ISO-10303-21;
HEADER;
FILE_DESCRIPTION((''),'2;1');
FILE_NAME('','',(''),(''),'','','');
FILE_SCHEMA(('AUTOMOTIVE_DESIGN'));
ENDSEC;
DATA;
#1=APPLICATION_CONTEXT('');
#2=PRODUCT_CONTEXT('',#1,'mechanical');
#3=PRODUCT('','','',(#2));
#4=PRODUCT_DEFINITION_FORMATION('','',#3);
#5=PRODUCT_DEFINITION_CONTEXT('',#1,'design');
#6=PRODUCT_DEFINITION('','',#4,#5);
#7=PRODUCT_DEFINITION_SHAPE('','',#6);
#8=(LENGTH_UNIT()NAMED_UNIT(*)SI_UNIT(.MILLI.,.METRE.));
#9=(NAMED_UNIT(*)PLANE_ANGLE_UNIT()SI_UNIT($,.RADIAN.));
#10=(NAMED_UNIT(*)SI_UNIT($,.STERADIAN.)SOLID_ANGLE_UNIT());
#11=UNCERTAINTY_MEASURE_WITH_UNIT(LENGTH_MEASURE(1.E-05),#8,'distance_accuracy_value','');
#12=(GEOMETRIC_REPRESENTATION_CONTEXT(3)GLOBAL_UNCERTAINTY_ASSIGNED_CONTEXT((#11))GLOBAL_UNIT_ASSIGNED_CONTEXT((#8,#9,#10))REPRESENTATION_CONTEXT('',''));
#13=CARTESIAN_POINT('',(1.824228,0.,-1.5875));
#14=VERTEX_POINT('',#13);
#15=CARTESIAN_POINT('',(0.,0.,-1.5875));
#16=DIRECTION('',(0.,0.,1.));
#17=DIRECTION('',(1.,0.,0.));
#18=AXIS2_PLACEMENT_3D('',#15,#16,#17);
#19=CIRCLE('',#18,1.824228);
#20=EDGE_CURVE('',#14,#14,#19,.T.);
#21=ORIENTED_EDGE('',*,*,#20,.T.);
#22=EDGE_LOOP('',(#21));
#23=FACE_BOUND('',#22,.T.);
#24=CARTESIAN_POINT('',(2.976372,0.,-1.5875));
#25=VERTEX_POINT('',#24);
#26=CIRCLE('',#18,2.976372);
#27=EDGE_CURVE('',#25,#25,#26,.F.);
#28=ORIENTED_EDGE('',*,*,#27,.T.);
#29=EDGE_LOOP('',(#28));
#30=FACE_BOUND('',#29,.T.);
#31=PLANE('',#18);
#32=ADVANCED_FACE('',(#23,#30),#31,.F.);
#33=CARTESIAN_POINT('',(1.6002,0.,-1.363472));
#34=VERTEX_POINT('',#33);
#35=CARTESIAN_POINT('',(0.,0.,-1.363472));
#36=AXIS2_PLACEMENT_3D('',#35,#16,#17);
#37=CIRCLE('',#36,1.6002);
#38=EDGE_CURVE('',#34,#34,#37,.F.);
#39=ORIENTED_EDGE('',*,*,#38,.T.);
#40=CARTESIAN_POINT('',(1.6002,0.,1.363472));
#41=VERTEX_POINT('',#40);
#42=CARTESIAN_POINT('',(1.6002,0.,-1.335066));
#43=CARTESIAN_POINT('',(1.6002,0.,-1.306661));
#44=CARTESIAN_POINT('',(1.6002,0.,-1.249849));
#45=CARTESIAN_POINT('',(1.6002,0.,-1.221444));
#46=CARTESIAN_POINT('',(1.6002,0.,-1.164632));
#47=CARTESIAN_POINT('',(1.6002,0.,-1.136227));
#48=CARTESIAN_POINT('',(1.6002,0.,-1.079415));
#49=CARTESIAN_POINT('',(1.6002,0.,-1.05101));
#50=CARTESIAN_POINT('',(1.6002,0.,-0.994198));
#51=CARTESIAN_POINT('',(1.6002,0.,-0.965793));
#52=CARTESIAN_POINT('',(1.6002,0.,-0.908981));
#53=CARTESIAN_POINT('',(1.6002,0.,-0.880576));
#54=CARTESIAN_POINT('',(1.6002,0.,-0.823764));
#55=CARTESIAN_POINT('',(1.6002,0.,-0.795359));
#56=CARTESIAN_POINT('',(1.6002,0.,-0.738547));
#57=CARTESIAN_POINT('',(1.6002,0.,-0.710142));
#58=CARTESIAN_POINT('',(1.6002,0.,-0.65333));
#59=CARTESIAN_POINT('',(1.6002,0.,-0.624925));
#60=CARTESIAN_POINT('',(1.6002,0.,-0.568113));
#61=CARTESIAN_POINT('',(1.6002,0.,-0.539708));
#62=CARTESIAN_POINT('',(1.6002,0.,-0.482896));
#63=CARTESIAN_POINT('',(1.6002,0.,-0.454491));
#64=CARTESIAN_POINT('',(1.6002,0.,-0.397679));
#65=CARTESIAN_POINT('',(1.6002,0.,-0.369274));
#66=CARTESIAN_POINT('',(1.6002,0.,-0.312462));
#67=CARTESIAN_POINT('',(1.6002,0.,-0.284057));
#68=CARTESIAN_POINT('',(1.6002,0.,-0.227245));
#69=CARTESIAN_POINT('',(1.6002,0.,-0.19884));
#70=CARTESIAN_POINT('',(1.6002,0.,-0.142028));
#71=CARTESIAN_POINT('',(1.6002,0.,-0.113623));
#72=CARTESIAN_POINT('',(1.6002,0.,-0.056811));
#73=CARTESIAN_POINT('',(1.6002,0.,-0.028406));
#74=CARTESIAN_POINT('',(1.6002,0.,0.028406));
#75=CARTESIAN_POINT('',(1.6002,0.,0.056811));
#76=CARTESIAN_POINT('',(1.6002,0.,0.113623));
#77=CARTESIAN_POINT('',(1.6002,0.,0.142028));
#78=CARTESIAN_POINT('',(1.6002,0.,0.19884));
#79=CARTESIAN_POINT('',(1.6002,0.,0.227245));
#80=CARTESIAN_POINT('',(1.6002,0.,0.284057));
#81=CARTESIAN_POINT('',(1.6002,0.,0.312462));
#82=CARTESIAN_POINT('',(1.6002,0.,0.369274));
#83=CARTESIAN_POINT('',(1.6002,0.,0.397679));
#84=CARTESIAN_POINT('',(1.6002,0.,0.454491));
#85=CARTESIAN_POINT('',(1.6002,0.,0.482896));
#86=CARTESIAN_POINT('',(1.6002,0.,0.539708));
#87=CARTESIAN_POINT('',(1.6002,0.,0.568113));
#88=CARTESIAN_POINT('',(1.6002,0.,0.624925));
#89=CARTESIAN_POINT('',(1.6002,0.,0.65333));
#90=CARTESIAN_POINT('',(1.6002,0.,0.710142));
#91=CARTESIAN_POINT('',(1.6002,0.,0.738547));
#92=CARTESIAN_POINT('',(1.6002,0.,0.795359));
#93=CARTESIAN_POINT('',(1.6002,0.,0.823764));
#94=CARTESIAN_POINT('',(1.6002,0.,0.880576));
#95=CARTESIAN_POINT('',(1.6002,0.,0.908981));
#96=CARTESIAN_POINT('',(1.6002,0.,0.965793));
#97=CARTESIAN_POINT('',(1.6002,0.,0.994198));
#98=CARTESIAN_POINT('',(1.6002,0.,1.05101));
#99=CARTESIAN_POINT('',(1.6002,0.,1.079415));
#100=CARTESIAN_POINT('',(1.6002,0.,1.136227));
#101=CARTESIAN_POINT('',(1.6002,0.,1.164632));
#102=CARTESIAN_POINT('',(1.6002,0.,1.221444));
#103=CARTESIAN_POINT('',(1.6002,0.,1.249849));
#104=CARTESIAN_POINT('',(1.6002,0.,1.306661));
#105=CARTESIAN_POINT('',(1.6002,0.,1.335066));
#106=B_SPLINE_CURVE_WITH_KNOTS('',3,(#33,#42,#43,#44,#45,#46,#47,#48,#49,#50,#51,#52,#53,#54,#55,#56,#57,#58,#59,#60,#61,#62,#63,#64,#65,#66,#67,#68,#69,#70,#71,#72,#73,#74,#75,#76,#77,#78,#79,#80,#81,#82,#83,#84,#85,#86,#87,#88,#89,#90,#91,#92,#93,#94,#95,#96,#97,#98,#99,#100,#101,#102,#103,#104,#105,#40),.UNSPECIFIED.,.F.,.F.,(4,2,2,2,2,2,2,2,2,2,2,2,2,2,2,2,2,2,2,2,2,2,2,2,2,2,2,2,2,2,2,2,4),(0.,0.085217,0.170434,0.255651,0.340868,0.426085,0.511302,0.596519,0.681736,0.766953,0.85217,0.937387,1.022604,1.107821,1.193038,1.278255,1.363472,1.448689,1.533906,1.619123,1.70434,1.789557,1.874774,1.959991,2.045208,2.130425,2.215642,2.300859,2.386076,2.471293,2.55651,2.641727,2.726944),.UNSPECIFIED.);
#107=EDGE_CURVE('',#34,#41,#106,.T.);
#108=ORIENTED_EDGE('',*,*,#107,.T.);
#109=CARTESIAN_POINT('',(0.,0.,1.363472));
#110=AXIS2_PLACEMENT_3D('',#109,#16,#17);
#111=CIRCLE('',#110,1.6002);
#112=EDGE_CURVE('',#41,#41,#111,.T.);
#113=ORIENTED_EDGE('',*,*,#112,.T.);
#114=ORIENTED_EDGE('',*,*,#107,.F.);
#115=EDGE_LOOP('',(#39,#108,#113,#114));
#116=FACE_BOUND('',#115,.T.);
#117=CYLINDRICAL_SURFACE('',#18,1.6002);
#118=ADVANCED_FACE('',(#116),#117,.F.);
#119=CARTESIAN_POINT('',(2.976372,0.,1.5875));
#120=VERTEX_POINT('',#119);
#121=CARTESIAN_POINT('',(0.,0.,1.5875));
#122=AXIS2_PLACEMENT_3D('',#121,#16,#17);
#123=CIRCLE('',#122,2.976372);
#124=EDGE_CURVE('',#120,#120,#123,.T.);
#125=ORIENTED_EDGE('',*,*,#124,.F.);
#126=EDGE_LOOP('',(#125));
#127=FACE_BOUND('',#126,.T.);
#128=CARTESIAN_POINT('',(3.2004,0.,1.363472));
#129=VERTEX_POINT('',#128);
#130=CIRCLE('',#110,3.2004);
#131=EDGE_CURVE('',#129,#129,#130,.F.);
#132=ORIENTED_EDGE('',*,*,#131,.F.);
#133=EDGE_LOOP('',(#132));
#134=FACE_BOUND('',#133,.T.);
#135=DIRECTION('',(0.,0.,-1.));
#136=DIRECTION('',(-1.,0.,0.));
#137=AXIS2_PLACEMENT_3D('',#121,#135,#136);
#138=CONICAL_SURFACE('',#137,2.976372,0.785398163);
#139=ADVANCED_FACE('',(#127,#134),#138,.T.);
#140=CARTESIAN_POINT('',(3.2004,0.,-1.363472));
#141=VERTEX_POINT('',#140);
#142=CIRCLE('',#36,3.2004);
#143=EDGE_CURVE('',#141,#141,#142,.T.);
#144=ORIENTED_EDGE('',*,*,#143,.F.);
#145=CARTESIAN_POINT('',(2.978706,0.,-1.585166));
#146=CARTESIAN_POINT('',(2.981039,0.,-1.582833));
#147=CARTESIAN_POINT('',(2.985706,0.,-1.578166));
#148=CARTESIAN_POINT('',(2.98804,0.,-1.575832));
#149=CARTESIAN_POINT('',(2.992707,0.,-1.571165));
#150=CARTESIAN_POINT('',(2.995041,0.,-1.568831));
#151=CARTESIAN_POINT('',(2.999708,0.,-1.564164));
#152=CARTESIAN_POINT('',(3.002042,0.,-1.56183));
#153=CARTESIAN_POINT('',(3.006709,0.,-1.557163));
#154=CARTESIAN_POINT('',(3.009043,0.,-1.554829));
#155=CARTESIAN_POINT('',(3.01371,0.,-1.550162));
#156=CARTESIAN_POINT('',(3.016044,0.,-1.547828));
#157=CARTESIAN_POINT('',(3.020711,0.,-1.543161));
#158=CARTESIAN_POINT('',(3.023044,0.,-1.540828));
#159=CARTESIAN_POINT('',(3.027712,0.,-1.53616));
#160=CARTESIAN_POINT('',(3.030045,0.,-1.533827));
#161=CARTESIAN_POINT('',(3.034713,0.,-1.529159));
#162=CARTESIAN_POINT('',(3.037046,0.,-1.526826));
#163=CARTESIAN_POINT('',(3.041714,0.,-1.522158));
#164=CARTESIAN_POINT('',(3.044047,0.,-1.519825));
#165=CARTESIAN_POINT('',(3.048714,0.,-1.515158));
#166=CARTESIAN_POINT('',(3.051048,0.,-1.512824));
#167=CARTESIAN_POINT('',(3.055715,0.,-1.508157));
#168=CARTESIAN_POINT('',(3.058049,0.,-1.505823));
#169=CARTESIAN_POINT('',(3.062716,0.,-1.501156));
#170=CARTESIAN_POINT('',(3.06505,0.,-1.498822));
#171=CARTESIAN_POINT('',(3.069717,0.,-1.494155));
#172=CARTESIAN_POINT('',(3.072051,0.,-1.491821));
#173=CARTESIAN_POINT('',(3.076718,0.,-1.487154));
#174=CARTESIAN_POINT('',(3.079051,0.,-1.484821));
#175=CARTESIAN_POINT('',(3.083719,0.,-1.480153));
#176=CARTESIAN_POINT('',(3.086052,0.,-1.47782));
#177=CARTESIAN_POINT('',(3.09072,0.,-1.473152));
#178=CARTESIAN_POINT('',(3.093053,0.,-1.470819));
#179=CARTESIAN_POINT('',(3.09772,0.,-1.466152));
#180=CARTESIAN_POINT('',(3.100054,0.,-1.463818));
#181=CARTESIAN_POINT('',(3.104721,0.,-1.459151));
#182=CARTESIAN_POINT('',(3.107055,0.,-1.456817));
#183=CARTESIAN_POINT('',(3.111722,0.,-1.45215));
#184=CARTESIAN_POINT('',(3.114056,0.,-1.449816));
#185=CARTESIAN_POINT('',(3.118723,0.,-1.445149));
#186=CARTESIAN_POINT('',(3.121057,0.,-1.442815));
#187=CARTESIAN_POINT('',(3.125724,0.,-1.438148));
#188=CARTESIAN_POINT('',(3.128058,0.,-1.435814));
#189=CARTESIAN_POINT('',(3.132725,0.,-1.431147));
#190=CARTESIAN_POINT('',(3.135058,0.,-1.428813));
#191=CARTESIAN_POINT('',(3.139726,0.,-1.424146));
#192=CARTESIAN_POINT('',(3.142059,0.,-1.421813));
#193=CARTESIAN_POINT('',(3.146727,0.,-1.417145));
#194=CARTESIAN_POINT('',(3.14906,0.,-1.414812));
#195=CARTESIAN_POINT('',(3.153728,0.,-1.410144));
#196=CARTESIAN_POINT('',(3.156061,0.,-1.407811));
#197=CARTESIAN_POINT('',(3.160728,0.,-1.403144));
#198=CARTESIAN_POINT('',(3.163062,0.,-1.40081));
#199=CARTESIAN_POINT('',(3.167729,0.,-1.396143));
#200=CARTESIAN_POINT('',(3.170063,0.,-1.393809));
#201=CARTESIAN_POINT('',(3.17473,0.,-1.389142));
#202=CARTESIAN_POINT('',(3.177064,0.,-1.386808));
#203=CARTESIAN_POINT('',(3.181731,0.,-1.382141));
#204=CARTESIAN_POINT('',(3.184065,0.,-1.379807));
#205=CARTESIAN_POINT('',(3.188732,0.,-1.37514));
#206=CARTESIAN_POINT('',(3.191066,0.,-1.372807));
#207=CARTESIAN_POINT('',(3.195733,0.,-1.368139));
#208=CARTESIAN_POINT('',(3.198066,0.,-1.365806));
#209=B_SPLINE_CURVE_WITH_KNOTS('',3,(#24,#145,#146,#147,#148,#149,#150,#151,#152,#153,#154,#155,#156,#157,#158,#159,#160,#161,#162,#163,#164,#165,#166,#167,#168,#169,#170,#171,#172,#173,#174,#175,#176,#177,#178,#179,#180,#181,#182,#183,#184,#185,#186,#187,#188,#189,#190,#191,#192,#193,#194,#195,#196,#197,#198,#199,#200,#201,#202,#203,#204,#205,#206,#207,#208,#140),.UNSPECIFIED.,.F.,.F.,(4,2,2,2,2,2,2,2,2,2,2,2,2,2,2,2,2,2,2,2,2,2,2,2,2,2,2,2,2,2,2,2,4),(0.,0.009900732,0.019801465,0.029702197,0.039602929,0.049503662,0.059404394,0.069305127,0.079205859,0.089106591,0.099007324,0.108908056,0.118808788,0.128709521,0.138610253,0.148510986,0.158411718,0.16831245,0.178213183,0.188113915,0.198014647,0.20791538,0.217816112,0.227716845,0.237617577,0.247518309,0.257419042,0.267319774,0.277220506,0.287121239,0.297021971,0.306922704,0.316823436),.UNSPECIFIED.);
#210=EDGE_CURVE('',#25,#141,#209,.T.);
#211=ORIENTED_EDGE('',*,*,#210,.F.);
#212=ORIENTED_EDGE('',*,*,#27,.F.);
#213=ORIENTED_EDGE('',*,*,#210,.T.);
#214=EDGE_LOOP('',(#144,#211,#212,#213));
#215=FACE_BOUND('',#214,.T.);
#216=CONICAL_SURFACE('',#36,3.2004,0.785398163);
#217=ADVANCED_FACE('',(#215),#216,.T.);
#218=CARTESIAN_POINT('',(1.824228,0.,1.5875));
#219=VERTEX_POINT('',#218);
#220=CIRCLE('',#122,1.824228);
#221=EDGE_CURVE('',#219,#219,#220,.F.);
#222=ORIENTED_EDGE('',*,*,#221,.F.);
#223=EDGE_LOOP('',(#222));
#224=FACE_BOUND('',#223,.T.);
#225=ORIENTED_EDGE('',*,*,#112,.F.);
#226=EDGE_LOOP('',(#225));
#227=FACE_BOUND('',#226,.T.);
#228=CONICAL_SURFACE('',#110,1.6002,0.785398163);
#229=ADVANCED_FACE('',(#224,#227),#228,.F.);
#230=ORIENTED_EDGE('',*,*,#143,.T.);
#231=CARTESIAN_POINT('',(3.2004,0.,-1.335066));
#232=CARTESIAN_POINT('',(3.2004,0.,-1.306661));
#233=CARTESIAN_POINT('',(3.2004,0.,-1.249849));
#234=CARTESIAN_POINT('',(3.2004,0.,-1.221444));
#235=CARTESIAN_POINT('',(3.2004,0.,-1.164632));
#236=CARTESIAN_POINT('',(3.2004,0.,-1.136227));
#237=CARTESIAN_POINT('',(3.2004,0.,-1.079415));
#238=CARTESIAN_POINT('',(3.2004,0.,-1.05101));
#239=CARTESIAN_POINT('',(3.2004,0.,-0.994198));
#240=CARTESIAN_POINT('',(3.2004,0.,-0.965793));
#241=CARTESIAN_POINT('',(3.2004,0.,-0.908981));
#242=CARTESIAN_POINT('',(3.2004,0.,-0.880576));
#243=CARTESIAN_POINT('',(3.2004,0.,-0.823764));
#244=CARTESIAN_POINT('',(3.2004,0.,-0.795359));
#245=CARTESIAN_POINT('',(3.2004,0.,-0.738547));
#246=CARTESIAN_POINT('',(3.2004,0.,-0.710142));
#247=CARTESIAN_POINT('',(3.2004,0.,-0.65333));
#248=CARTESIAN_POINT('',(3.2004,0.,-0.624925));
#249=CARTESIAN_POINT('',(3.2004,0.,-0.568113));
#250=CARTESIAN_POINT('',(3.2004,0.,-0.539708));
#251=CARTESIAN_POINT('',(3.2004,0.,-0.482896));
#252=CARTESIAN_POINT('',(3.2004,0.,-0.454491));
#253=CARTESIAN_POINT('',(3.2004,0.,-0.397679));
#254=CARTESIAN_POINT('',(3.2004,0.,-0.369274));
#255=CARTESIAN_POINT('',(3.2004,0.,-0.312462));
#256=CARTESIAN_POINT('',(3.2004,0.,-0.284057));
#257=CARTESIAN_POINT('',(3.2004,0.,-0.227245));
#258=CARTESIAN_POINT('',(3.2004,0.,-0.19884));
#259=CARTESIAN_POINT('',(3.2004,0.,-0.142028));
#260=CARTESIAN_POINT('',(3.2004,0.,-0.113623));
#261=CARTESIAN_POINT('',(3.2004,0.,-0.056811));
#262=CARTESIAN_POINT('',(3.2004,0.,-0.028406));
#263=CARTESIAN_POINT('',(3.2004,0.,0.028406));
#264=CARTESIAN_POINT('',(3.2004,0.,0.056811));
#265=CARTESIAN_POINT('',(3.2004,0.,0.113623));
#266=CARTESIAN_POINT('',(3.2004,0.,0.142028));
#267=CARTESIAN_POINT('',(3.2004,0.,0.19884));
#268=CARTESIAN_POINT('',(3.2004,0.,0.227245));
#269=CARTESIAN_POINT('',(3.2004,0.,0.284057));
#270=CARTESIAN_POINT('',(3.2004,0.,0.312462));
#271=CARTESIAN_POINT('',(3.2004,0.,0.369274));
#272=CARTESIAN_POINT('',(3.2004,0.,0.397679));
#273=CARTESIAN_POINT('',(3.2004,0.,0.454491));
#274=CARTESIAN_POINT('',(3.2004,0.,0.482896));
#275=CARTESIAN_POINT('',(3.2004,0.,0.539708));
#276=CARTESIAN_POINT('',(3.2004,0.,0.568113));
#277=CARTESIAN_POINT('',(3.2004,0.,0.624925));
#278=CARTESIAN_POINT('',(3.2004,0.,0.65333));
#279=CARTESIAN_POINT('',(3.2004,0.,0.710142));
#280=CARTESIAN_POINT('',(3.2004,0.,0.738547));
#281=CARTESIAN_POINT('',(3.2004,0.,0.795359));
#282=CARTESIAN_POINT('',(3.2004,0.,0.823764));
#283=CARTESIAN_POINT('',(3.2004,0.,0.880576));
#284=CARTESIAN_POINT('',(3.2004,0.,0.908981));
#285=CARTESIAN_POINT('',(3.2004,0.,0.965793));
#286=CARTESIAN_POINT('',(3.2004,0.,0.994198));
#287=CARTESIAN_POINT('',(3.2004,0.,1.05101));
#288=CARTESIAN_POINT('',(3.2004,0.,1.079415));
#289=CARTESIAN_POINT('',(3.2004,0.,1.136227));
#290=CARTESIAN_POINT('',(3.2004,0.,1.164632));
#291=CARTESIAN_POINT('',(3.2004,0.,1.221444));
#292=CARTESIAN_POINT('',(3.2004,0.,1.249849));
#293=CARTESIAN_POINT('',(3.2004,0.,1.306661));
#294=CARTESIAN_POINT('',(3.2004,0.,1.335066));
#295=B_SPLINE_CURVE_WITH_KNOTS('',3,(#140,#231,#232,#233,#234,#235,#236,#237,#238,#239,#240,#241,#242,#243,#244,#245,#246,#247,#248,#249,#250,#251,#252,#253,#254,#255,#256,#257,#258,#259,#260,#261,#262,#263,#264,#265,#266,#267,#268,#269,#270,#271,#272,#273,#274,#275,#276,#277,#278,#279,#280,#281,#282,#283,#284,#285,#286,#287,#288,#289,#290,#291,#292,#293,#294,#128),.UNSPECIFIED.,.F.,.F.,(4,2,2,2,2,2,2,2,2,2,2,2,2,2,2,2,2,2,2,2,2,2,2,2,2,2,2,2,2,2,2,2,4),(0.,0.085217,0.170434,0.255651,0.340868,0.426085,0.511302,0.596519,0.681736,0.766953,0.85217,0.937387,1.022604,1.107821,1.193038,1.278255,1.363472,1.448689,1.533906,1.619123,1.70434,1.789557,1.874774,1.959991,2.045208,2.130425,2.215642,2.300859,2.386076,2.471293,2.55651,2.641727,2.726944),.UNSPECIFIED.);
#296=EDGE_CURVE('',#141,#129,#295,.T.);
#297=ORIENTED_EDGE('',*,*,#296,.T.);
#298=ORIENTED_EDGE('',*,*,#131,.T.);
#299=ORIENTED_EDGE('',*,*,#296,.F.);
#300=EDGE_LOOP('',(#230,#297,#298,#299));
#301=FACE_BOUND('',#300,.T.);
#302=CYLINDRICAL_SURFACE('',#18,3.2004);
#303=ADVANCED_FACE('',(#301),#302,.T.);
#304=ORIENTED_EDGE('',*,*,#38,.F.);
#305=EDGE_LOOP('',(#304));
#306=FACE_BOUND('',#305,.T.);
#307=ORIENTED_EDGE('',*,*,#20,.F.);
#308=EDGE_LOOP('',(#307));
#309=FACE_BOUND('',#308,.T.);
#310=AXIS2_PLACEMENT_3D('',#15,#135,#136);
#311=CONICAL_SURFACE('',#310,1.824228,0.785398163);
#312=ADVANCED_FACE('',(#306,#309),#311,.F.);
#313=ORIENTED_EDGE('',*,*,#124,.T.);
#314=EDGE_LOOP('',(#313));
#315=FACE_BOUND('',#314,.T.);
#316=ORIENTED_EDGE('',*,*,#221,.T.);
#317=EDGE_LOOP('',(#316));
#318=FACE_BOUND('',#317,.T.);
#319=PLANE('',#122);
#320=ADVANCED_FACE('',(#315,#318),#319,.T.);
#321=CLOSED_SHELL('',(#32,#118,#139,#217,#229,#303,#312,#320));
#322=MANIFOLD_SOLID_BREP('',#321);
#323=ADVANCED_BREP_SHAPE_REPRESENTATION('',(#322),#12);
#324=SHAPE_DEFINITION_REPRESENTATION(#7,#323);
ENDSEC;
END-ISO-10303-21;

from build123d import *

# Parameters (mm, degrees)
BOSS_EXTRUDE1_DEPTH      = 1.5875
BOSS_EXTRUDE1_DEPTH_BACK = 1.5875
SKETCH14_R               = 3.2004
SKETCH14_R_2             = 1.6002
CHAMFER1_SIZE            = 0.224028


with BuildPart() as part:
    # Sketch14 → Boss-Extrude1 (new, two sides: drawn at the far end of the back side and taken through both)
    with BuildSketch(Plane.XY.offset(-BOSS_EXTRUDE1_DEPTH_BACK)):
        Circle(SKETCH14_R)
        Circle(SKETCH14_R_2, mode=Mode.SUBTRACT)
    extrude(amount=BOSS_EXTRUDE1_DEPTH + BOSS_EXTRUDE1_DEPTH_BACK)

    # Chamfer1
    chamfer1_edges = [part.edges().sort_by_distance(p)[0] for p in [
        (-3.2004, 0, -1.5875),
        (-1.6002, 0, -1.5875),
        (-3.2004, 0, 1.5875),
        (-1.6002, 0, 1.5875),
    ]]
    chamfer(chamfer1_edges, length=CHAMFER1_SIZE)


solid = part.part
